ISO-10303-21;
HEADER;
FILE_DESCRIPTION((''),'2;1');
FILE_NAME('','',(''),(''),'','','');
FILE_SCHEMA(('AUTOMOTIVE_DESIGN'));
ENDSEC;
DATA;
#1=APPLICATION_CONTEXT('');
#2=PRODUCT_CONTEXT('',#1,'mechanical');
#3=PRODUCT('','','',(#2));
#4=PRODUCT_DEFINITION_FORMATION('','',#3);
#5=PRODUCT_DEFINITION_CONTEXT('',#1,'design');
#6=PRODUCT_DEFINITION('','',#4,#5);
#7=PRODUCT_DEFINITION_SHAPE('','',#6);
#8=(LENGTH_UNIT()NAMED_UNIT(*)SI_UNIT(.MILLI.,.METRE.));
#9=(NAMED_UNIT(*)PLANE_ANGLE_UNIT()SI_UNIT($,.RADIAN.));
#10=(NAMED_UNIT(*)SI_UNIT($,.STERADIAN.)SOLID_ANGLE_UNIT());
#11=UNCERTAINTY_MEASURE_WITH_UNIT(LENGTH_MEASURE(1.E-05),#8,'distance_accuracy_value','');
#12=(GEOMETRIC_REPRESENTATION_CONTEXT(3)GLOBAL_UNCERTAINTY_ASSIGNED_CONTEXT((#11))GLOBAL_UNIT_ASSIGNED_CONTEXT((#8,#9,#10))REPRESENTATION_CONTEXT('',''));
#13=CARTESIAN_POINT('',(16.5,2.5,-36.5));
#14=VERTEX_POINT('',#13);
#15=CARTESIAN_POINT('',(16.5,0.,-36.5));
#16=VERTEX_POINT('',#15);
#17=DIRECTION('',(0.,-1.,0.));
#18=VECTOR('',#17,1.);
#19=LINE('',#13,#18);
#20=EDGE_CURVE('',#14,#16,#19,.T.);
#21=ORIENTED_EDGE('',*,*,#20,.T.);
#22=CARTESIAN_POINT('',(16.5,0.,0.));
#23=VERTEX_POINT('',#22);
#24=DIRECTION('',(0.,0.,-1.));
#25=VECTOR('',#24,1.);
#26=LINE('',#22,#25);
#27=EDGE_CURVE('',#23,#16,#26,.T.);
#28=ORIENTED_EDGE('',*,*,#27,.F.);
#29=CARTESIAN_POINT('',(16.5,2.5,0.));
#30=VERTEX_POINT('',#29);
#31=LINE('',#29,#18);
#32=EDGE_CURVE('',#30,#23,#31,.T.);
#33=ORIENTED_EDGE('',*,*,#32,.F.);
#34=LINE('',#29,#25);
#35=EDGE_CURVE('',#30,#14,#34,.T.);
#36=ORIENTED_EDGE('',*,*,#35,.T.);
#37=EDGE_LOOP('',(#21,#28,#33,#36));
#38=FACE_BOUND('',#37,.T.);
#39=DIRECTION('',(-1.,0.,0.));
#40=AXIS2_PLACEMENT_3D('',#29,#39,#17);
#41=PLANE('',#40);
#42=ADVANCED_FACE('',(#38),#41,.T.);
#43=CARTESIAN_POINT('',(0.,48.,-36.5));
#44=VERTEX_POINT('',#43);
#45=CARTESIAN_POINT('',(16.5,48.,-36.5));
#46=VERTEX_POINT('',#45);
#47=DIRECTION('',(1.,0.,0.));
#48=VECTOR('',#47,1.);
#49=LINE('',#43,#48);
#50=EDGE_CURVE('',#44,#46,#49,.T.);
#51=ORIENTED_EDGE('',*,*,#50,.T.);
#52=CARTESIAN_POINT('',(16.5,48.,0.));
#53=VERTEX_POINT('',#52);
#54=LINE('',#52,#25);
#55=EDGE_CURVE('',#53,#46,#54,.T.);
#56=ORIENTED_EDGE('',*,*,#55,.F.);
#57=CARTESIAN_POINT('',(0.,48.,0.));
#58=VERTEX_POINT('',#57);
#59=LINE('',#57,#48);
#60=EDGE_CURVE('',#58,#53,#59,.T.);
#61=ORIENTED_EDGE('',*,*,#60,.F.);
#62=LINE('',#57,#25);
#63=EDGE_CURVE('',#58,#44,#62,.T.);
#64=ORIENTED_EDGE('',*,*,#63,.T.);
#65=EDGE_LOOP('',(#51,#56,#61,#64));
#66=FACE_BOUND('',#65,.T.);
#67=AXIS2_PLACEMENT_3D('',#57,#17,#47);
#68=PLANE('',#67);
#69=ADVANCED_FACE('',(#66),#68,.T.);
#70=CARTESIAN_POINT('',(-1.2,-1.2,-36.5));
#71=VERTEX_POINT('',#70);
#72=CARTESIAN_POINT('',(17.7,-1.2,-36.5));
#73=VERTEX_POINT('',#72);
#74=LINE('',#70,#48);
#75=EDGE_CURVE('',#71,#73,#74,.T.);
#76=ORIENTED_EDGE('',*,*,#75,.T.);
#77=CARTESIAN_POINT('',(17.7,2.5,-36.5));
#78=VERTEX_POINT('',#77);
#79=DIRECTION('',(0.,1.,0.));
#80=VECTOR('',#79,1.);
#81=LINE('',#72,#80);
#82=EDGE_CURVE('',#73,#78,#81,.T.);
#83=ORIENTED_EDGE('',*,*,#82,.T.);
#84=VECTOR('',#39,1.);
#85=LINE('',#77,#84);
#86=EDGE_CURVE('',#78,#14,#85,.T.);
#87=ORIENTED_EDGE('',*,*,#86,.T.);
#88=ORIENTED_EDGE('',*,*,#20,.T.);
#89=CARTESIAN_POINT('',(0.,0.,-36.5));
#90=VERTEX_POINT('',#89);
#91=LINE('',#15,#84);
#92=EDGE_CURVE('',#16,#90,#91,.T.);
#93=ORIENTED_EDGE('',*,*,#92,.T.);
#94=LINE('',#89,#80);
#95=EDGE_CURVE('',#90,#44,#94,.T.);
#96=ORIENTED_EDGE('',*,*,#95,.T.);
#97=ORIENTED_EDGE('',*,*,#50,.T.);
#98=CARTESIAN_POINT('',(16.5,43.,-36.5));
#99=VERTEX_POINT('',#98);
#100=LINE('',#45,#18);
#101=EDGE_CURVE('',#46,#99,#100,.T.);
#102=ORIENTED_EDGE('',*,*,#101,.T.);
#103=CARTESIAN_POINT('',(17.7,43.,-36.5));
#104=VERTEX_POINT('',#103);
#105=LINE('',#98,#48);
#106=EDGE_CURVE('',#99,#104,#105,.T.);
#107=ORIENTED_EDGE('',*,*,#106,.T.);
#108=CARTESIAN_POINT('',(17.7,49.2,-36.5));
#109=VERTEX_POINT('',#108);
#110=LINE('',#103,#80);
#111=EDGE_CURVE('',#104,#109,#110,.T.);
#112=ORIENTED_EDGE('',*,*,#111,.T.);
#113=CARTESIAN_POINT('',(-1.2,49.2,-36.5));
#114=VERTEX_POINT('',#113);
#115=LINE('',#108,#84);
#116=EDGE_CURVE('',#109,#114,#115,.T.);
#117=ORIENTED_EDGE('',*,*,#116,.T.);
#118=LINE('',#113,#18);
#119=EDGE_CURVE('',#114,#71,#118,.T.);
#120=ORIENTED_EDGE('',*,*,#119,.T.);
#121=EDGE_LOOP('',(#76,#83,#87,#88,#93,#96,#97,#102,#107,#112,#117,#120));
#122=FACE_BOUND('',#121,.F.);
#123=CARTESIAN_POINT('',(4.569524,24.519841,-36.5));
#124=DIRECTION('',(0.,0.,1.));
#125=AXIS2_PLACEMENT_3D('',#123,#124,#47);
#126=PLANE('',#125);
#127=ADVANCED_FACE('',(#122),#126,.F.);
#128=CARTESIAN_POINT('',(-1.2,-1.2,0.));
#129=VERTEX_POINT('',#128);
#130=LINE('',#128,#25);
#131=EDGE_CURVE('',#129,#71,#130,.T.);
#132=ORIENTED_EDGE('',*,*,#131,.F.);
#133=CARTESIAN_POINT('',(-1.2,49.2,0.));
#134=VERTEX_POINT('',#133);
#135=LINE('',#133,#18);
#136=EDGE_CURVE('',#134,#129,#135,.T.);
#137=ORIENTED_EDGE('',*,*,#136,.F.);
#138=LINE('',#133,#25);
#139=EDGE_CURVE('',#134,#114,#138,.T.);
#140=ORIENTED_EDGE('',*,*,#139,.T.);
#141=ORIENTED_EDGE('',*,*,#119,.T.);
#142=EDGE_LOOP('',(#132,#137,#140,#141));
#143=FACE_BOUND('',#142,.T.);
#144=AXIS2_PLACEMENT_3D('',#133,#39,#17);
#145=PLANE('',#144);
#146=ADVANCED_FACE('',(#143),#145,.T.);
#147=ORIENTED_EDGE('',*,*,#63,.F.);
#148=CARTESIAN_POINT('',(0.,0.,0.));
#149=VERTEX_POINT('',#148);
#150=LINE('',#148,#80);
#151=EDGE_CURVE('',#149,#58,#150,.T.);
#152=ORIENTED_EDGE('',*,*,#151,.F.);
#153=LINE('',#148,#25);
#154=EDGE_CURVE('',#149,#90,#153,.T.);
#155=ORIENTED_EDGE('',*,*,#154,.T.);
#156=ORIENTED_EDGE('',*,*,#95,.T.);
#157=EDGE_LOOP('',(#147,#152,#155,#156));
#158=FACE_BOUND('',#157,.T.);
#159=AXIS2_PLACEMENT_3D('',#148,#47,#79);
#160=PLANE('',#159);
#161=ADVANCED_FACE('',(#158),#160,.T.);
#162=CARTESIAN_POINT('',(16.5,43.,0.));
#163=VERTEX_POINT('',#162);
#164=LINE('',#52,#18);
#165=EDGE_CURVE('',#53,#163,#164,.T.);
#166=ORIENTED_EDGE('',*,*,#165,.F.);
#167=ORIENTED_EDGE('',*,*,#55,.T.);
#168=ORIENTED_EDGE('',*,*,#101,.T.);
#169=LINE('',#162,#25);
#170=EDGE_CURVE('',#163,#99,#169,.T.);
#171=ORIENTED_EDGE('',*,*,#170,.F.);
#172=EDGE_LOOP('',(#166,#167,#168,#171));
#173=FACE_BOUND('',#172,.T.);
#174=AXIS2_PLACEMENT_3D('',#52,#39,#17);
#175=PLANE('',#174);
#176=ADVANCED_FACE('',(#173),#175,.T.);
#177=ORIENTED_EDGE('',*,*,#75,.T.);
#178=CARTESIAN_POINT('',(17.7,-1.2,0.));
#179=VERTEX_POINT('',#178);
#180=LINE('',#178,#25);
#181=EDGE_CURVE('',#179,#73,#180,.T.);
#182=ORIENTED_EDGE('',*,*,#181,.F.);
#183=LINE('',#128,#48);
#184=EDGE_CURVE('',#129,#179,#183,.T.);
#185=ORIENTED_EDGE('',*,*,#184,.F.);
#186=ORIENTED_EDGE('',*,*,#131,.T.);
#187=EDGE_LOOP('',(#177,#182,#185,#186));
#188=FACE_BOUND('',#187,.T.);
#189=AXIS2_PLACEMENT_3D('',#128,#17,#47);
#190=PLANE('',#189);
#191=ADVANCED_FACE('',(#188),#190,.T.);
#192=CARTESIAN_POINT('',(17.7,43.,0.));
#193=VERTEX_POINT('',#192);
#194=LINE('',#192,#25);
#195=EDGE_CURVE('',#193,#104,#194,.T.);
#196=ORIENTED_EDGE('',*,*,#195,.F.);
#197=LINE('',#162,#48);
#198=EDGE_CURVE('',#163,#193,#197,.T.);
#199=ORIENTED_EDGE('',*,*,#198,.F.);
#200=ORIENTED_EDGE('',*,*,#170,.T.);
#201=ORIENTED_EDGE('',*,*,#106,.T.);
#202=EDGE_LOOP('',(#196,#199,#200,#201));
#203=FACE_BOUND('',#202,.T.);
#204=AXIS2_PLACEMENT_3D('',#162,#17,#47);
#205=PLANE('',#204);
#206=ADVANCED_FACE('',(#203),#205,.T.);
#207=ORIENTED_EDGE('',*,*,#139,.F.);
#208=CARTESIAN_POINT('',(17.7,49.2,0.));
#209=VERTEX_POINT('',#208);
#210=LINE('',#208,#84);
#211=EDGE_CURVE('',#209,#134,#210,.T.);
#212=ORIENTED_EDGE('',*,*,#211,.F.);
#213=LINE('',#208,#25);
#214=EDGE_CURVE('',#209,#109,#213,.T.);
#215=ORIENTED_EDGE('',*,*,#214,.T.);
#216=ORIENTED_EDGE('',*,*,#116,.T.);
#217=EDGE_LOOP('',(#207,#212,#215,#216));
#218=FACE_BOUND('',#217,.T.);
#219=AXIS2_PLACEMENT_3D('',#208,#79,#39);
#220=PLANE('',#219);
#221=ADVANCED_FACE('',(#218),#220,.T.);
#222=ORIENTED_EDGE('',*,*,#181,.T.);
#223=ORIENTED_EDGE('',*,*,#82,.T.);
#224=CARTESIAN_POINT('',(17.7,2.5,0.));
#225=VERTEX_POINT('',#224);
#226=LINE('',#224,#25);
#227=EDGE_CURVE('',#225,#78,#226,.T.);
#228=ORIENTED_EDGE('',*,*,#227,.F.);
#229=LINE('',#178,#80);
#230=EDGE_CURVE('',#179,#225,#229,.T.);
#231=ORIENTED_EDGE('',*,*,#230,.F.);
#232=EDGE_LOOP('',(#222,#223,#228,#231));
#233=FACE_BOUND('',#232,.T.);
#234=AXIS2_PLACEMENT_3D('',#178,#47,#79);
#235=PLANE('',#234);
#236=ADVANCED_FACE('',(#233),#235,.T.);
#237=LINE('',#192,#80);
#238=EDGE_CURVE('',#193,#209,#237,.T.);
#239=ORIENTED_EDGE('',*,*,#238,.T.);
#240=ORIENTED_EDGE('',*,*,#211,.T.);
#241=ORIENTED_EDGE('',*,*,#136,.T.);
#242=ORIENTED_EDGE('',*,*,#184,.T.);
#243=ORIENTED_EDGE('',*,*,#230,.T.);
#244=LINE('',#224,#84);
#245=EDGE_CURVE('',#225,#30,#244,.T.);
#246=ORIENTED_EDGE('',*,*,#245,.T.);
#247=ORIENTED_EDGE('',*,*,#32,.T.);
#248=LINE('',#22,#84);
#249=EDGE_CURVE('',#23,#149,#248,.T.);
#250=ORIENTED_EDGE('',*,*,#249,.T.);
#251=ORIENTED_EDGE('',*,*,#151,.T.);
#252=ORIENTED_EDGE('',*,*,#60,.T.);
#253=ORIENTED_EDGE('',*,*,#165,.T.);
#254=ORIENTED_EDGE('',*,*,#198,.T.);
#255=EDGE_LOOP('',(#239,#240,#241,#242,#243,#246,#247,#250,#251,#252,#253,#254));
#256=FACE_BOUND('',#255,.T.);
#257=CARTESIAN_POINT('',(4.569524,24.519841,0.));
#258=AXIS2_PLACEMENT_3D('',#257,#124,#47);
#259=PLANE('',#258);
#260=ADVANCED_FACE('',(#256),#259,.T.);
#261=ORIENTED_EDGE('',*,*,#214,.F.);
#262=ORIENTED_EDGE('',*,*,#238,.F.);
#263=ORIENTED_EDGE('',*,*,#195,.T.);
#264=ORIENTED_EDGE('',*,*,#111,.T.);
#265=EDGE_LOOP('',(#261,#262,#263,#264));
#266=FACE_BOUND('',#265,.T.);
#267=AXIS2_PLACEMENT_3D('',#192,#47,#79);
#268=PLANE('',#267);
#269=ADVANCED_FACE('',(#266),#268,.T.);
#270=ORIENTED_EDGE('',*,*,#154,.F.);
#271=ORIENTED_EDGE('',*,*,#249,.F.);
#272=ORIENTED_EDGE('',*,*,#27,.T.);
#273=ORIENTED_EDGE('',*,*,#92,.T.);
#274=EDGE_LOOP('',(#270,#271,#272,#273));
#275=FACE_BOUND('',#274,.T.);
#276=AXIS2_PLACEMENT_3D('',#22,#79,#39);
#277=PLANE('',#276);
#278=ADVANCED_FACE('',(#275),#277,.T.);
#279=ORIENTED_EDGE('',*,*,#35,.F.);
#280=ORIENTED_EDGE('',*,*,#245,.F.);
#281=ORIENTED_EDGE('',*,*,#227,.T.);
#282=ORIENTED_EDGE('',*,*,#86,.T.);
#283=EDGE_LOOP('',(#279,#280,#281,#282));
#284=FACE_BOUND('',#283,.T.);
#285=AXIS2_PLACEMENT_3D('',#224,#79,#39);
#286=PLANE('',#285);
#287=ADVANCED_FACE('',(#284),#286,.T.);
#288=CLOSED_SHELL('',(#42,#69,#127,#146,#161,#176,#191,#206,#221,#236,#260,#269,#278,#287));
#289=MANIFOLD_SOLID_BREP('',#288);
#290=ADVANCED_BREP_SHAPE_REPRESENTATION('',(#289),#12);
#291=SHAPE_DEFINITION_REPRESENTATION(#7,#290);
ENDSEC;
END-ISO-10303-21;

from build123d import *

# Parameters (mm, degrees)
F1_DEPTH = 36.5


with BuildPart() as f1:
    # F0 (on Top) → F1 (new body)
    with BuildSketch(Plane.XY):
        Polygon((16.5, 0), (0, 0), (0, 48), (16.5, 48), (16.5, 43), (17.7, 43), (17.7, 49.2), (-1.2, 49.2), (-1.2, -1.2), (17.7, -1.2), (17.7, 2.5), (16.5, 2.5), align=None)
    extrude(amount=-F1_DEPTH)


solid = f1.part
